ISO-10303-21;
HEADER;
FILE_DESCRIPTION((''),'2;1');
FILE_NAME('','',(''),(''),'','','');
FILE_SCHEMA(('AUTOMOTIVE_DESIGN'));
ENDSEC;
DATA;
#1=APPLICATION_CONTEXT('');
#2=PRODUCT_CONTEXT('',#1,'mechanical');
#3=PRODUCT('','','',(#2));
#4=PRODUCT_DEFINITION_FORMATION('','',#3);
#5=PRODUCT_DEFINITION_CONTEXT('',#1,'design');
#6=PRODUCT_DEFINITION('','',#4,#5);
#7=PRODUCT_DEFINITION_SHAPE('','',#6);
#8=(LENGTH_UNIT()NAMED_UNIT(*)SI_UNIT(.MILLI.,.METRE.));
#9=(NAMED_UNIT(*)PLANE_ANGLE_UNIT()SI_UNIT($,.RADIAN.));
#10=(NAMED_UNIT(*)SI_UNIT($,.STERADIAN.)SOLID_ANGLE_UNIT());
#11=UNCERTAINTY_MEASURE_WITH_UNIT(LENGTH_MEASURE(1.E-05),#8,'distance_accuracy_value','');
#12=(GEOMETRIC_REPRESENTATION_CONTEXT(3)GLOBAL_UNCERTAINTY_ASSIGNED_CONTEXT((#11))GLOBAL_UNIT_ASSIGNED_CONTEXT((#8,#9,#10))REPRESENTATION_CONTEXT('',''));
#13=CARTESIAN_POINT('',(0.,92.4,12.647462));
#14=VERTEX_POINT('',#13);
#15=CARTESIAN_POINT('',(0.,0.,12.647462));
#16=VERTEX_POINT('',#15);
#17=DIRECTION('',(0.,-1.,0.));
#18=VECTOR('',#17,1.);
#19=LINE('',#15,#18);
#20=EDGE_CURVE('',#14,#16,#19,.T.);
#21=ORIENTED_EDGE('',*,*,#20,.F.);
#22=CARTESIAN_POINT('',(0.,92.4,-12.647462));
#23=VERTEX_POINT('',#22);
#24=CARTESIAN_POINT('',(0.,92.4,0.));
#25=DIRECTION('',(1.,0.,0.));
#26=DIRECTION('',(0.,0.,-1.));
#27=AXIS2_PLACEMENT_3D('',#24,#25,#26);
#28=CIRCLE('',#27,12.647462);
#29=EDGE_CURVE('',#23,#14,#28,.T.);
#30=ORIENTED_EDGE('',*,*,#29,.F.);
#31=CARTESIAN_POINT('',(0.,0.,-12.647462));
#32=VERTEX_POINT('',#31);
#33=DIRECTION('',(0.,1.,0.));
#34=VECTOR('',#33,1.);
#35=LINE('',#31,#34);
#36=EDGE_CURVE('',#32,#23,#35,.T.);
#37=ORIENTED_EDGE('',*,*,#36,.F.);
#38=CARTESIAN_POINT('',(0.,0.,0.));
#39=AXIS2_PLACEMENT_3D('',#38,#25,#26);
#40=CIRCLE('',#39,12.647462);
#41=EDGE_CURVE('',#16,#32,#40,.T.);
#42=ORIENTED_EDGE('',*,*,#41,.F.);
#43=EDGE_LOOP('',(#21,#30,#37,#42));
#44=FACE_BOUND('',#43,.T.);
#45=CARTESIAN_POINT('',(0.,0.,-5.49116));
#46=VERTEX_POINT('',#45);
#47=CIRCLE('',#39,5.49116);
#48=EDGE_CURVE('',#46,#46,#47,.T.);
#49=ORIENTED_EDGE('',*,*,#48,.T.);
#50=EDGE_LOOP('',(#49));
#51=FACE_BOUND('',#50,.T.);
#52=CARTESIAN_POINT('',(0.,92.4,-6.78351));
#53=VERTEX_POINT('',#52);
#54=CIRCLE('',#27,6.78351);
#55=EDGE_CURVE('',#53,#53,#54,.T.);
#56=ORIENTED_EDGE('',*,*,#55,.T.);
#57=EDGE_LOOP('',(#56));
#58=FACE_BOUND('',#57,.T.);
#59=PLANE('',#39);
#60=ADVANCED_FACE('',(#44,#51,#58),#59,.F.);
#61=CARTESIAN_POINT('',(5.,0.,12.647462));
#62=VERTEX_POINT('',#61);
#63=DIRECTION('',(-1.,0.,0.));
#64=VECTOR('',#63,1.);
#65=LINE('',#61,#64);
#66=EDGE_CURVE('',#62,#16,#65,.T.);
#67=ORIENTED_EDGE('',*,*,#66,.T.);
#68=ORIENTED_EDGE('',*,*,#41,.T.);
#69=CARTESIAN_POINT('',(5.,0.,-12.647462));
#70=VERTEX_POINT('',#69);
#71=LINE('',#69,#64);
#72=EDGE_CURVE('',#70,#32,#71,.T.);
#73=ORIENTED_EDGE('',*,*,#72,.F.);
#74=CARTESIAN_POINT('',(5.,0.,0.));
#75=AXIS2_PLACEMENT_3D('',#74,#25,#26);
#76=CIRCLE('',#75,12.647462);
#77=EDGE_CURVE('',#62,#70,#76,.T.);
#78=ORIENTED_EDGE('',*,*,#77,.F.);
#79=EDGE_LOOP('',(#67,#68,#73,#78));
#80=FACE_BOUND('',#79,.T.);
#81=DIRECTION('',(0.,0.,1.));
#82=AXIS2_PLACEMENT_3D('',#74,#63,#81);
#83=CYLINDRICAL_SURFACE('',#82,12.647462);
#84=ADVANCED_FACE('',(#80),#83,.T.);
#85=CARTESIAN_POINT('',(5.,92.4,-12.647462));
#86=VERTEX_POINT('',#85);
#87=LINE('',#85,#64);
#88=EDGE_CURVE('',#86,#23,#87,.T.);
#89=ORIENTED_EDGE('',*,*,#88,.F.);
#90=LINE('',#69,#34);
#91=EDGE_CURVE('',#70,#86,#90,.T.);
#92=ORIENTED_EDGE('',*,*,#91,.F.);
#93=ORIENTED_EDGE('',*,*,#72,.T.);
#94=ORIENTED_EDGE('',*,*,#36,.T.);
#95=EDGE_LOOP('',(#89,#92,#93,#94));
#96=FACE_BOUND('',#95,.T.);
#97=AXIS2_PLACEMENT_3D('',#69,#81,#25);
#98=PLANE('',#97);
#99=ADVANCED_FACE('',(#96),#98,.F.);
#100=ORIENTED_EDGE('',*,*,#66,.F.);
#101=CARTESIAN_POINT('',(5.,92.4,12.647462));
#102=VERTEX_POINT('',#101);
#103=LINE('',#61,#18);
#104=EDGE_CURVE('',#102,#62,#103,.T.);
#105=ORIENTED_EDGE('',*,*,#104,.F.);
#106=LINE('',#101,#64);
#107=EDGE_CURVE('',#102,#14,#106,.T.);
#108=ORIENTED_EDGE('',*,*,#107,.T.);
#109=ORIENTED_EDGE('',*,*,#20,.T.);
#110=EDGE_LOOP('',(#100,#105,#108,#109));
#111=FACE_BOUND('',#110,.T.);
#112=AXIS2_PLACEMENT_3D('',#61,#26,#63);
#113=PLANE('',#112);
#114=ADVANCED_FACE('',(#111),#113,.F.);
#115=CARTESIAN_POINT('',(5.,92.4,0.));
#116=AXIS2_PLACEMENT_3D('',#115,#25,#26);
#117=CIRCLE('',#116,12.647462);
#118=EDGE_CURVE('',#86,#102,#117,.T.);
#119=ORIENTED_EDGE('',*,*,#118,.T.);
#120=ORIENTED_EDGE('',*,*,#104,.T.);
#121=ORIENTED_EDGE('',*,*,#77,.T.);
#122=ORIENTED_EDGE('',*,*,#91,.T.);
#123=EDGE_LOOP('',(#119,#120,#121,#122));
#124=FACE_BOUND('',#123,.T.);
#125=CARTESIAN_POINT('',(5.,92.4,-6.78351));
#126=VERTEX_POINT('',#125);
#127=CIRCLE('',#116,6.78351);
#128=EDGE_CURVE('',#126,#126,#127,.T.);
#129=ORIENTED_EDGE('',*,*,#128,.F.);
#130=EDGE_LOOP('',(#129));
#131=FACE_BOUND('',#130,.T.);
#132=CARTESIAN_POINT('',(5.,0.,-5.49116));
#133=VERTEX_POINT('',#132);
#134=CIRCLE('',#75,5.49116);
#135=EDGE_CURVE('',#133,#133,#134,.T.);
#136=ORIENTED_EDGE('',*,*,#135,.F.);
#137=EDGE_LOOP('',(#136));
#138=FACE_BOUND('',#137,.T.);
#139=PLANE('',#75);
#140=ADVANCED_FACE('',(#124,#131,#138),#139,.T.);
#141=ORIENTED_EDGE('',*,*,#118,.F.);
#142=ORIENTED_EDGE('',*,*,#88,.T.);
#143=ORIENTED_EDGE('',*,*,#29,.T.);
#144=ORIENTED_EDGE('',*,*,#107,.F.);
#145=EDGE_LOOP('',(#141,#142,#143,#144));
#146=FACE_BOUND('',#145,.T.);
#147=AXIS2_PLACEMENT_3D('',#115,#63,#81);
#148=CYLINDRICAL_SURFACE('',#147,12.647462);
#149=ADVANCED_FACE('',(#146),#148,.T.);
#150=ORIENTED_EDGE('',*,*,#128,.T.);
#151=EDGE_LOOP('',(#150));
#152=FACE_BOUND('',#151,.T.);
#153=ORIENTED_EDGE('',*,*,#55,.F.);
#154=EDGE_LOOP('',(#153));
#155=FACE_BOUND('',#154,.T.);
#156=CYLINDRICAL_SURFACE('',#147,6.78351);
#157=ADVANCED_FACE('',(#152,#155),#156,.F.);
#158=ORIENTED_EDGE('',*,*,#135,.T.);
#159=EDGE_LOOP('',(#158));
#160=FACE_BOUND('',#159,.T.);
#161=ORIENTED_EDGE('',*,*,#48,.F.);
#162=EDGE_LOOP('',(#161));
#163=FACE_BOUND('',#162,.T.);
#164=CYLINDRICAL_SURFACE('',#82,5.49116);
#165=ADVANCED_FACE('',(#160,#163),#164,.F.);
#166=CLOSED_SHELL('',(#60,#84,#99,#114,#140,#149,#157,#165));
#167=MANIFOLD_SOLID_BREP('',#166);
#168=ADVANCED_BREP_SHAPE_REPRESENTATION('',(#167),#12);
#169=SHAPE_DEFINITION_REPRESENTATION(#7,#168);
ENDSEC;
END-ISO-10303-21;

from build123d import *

# Parameters (mm, degrees)
SKETCH_1_R      = 6.783510382
SKETCH_1_R_2    = 5.491160117
EXTRUDE_1_DEPTH = 5


with BuildPart() as part:
    # 草图1 → 凸台-拉伸1 (new body)
    with BuildSketch(Plane(origin=(0, 0, 0), x_dir=(0, 0, -1), z_dir=(1, 0, 0))):
        with BuildLine():
            Line((-12.647461948, 0), (-12.647461948, 92.4))
            ThreePointArc((-12.647461948, 92.4), (0, 105.047461948), (12.647461948, 92.4))
            Line((12.647461948, 92.4), (12.647461948, 0))
            ThreePointArc((12.647461948, 0), (0, -12.647461948), (-12.647461948, 0))
        make_face()
        with Locations((0, 92.4)):
            Circle(SKETCH_1_R, mode=Mode.SUBTRACT)
        Circle(SKETCH_1_R_2, mode=Mode.SUBTRACT)
    extrude(amount=EXTRUDE_1_DEPTH)


solid = part.part
